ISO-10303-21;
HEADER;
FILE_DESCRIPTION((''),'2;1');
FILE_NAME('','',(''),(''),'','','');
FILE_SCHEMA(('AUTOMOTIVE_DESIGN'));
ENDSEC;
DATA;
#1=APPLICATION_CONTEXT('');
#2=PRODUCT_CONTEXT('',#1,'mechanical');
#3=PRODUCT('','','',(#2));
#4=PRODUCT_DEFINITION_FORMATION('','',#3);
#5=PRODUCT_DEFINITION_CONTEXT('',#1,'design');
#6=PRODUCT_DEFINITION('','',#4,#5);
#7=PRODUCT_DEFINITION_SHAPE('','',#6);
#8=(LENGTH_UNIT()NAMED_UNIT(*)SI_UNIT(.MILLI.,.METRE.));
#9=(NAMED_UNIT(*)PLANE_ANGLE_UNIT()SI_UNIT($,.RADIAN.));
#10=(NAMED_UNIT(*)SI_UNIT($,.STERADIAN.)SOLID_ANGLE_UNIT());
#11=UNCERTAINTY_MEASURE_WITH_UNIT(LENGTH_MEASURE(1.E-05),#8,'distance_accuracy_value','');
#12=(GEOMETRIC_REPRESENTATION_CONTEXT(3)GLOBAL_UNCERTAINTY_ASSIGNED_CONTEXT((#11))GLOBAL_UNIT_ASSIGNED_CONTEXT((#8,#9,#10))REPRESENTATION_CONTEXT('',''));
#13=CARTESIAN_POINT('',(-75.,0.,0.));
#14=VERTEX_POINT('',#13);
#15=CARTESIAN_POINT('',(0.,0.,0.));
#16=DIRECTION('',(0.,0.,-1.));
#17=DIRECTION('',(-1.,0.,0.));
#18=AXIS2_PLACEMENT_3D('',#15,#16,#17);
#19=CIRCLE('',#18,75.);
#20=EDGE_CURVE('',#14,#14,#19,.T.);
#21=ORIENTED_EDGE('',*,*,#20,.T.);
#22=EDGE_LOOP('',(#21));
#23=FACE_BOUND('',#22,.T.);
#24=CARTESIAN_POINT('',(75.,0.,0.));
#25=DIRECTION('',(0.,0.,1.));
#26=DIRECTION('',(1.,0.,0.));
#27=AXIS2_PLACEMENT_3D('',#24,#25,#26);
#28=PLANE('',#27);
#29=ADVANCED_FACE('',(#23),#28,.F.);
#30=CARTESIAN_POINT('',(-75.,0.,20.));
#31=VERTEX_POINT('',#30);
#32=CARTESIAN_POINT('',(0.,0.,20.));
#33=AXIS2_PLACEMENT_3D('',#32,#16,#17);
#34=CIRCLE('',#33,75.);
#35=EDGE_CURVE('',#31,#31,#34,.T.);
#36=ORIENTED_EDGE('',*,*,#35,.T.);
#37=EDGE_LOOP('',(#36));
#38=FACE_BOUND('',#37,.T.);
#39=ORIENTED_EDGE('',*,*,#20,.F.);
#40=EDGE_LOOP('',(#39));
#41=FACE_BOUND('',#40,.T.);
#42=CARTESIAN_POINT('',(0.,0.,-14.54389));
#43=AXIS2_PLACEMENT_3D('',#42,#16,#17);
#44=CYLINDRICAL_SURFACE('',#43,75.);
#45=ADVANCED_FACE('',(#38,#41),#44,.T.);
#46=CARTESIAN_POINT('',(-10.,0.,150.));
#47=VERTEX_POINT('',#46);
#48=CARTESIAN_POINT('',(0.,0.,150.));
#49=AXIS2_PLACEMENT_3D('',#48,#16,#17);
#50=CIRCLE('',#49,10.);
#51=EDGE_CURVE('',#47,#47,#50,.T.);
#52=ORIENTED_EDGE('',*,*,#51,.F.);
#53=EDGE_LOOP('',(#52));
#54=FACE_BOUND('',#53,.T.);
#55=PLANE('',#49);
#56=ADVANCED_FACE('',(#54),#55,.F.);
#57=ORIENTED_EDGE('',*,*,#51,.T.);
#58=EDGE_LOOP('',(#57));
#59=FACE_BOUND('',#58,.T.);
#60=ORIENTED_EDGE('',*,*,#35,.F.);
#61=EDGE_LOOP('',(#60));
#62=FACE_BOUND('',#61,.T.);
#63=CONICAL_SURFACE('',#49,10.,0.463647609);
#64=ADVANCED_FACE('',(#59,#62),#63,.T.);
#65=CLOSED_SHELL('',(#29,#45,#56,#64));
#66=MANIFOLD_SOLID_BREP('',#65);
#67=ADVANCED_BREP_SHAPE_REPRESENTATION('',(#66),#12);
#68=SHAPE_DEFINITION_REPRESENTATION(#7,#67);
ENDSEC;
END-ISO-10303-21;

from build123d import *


with BuildPart() as part:
    # Sketch1 → Revolve1 (revolve)
    with BuildSketch(Plane(origin=(0, 0, 0), x_dir=(1, 0, 0), z_dir=(0, 1, 0))):
        Polygon((75, 0), (0, 0), (0, -150), (10, -150), (75, -20), align=None)
    revolve(axis=Axis((0, 0, -14.543889845), (0, 0, 1)))


solid = part.part
